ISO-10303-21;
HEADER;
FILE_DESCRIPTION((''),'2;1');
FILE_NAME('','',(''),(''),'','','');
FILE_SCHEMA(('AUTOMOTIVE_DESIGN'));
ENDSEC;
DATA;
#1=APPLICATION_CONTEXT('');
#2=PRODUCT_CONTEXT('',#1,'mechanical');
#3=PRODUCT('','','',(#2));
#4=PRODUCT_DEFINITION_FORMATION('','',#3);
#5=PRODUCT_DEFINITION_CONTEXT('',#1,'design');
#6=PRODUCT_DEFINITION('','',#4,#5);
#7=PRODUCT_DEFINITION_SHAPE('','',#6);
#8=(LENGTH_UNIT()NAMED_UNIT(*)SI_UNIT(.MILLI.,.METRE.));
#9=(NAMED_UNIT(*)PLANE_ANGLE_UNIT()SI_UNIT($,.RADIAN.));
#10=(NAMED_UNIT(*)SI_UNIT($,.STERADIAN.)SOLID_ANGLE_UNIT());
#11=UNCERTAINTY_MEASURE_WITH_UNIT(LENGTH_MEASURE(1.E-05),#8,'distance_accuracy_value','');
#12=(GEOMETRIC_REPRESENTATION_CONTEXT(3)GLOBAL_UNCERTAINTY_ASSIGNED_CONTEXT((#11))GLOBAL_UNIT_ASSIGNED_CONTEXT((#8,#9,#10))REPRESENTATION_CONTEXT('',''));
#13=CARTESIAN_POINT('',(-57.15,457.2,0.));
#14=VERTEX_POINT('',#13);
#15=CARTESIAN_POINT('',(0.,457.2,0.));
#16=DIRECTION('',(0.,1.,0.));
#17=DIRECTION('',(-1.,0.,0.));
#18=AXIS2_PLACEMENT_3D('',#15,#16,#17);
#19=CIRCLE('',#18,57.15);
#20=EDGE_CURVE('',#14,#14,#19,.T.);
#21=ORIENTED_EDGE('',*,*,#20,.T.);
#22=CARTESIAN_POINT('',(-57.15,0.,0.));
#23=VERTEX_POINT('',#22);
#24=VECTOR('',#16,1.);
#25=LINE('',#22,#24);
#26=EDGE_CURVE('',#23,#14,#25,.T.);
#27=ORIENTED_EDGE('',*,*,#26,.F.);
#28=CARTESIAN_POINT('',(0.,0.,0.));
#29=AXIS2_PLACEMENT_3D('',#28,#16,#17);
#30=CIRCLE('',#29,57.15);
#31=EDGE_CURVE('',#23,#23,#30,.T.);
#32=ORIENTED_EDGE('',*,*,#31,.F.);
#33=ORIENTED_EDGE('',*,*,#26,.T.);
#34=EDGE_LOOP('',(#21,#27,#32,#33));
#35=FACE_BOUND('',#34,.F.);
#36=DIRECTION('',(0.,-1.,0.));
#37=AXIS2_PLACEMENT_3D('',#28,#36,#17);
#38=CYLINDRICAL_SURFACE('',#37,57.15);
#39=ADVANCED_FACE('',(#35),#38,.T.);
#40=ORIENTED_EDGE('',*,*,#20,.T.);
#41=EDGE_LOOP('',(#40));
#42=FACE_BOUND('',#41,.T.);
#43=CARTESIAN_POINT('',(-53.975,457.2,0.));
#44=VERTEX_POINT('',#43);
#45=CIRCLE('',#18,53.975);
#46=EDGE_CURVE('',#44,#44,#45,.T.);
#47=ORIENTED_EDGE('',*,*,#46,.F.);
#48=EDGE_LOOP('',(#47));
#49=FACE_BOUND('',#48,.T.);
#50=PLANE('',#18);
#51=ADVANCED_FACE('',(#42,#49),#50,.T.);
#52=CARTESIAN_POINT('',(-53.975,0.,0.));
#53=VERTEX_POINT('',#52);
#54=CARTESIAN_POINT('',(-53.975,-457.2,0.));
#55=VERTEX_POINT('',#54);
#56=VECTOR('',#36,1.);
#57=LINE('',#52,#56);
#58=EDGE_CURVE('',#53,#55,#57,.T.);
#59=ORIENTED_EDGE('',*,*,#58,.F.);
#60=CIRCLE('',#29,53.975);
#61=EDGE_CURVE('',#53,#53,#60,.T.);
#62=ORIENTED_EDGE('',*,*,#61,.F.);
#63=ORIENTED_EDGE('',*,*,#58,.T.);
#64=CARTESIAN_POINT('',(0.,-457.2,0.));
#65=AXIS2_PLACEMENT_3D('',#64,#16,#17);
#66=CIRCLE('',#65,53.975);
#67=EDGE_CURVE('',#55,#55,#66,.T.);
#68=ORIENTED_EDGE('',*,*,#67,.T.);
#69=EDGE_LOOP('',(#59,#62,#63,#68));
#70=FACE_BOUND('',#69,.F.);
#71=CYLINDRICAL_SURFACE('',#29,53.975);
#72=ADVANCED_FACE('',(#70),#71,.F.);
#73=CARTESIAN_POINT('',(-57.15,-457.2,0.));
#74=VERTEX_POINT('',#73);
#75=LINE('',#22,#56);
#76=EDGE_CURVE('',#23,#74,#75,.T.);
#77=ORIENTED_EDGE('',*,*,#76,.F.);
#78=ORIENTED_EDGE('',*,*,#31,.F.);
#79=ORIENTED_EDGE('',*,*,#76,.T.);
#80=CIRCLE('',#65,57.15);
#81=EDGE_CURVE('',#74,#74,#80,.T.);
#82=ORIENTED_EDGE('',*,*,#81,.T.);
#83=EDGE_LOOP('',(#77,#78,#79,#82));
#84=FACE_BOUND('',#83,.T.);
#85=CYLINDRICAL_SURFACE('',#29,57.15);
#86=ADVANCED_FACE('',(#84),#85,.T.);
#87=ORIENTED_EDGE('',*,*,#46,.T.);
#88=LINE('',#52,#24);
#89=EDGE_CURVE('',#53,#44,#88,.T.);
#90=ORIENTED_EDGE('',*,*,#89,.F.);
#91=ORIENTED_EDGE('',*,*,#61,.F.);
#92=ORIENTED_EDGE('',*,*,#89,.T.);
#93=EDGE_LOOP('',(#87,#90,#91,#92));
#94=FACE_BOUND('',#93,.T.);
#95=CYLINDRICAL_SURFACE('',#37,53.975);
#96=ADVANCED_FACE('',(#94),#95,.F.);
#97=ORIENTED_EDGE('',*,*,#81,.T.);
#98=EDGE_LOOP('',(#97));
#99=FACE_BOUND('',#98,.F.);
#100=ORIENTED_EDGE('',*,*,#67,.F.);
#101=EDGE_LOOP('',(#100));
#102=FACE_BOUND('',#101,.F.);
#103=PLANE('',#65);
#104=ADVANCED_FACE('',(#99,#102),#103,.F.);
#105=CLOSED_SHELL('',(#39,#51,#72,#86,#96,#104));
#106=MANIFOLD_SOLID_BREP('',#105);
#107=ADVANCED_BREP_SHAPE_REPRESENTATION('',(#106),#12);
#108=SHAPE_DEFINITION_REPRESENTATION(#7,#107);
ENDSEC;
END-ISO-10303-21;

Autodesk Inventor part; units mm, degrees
ref_plane "YZ Plane" through (0, 0, 0) normal (1, 0, 0) x (0, 1, 0)
ref_plane "XZ Plane" through (0, 0, 0) normal (0, 1, 0) x (-1, 0, 0)
ref_plane "XY Plane" through (0, 0, 0) normal (0, 0, 1) x (1, 0, 0)
sketch "Sketch1" plane through (0, 0, 0) normal (0, 1, 0) x (-1, 0, 0)
  circle A0 centre (0, 0) radius 57.15
  circle A1 centre (0, 0) radius 53.975
  dimension "d0" = 114.3
  dimension "d1" = 107.95
extrude "Extrusion1" add sketch "Sketch1" along normal mid plane 914.4
properties part number "2210_Copper Bore_V1" material "Copper"
